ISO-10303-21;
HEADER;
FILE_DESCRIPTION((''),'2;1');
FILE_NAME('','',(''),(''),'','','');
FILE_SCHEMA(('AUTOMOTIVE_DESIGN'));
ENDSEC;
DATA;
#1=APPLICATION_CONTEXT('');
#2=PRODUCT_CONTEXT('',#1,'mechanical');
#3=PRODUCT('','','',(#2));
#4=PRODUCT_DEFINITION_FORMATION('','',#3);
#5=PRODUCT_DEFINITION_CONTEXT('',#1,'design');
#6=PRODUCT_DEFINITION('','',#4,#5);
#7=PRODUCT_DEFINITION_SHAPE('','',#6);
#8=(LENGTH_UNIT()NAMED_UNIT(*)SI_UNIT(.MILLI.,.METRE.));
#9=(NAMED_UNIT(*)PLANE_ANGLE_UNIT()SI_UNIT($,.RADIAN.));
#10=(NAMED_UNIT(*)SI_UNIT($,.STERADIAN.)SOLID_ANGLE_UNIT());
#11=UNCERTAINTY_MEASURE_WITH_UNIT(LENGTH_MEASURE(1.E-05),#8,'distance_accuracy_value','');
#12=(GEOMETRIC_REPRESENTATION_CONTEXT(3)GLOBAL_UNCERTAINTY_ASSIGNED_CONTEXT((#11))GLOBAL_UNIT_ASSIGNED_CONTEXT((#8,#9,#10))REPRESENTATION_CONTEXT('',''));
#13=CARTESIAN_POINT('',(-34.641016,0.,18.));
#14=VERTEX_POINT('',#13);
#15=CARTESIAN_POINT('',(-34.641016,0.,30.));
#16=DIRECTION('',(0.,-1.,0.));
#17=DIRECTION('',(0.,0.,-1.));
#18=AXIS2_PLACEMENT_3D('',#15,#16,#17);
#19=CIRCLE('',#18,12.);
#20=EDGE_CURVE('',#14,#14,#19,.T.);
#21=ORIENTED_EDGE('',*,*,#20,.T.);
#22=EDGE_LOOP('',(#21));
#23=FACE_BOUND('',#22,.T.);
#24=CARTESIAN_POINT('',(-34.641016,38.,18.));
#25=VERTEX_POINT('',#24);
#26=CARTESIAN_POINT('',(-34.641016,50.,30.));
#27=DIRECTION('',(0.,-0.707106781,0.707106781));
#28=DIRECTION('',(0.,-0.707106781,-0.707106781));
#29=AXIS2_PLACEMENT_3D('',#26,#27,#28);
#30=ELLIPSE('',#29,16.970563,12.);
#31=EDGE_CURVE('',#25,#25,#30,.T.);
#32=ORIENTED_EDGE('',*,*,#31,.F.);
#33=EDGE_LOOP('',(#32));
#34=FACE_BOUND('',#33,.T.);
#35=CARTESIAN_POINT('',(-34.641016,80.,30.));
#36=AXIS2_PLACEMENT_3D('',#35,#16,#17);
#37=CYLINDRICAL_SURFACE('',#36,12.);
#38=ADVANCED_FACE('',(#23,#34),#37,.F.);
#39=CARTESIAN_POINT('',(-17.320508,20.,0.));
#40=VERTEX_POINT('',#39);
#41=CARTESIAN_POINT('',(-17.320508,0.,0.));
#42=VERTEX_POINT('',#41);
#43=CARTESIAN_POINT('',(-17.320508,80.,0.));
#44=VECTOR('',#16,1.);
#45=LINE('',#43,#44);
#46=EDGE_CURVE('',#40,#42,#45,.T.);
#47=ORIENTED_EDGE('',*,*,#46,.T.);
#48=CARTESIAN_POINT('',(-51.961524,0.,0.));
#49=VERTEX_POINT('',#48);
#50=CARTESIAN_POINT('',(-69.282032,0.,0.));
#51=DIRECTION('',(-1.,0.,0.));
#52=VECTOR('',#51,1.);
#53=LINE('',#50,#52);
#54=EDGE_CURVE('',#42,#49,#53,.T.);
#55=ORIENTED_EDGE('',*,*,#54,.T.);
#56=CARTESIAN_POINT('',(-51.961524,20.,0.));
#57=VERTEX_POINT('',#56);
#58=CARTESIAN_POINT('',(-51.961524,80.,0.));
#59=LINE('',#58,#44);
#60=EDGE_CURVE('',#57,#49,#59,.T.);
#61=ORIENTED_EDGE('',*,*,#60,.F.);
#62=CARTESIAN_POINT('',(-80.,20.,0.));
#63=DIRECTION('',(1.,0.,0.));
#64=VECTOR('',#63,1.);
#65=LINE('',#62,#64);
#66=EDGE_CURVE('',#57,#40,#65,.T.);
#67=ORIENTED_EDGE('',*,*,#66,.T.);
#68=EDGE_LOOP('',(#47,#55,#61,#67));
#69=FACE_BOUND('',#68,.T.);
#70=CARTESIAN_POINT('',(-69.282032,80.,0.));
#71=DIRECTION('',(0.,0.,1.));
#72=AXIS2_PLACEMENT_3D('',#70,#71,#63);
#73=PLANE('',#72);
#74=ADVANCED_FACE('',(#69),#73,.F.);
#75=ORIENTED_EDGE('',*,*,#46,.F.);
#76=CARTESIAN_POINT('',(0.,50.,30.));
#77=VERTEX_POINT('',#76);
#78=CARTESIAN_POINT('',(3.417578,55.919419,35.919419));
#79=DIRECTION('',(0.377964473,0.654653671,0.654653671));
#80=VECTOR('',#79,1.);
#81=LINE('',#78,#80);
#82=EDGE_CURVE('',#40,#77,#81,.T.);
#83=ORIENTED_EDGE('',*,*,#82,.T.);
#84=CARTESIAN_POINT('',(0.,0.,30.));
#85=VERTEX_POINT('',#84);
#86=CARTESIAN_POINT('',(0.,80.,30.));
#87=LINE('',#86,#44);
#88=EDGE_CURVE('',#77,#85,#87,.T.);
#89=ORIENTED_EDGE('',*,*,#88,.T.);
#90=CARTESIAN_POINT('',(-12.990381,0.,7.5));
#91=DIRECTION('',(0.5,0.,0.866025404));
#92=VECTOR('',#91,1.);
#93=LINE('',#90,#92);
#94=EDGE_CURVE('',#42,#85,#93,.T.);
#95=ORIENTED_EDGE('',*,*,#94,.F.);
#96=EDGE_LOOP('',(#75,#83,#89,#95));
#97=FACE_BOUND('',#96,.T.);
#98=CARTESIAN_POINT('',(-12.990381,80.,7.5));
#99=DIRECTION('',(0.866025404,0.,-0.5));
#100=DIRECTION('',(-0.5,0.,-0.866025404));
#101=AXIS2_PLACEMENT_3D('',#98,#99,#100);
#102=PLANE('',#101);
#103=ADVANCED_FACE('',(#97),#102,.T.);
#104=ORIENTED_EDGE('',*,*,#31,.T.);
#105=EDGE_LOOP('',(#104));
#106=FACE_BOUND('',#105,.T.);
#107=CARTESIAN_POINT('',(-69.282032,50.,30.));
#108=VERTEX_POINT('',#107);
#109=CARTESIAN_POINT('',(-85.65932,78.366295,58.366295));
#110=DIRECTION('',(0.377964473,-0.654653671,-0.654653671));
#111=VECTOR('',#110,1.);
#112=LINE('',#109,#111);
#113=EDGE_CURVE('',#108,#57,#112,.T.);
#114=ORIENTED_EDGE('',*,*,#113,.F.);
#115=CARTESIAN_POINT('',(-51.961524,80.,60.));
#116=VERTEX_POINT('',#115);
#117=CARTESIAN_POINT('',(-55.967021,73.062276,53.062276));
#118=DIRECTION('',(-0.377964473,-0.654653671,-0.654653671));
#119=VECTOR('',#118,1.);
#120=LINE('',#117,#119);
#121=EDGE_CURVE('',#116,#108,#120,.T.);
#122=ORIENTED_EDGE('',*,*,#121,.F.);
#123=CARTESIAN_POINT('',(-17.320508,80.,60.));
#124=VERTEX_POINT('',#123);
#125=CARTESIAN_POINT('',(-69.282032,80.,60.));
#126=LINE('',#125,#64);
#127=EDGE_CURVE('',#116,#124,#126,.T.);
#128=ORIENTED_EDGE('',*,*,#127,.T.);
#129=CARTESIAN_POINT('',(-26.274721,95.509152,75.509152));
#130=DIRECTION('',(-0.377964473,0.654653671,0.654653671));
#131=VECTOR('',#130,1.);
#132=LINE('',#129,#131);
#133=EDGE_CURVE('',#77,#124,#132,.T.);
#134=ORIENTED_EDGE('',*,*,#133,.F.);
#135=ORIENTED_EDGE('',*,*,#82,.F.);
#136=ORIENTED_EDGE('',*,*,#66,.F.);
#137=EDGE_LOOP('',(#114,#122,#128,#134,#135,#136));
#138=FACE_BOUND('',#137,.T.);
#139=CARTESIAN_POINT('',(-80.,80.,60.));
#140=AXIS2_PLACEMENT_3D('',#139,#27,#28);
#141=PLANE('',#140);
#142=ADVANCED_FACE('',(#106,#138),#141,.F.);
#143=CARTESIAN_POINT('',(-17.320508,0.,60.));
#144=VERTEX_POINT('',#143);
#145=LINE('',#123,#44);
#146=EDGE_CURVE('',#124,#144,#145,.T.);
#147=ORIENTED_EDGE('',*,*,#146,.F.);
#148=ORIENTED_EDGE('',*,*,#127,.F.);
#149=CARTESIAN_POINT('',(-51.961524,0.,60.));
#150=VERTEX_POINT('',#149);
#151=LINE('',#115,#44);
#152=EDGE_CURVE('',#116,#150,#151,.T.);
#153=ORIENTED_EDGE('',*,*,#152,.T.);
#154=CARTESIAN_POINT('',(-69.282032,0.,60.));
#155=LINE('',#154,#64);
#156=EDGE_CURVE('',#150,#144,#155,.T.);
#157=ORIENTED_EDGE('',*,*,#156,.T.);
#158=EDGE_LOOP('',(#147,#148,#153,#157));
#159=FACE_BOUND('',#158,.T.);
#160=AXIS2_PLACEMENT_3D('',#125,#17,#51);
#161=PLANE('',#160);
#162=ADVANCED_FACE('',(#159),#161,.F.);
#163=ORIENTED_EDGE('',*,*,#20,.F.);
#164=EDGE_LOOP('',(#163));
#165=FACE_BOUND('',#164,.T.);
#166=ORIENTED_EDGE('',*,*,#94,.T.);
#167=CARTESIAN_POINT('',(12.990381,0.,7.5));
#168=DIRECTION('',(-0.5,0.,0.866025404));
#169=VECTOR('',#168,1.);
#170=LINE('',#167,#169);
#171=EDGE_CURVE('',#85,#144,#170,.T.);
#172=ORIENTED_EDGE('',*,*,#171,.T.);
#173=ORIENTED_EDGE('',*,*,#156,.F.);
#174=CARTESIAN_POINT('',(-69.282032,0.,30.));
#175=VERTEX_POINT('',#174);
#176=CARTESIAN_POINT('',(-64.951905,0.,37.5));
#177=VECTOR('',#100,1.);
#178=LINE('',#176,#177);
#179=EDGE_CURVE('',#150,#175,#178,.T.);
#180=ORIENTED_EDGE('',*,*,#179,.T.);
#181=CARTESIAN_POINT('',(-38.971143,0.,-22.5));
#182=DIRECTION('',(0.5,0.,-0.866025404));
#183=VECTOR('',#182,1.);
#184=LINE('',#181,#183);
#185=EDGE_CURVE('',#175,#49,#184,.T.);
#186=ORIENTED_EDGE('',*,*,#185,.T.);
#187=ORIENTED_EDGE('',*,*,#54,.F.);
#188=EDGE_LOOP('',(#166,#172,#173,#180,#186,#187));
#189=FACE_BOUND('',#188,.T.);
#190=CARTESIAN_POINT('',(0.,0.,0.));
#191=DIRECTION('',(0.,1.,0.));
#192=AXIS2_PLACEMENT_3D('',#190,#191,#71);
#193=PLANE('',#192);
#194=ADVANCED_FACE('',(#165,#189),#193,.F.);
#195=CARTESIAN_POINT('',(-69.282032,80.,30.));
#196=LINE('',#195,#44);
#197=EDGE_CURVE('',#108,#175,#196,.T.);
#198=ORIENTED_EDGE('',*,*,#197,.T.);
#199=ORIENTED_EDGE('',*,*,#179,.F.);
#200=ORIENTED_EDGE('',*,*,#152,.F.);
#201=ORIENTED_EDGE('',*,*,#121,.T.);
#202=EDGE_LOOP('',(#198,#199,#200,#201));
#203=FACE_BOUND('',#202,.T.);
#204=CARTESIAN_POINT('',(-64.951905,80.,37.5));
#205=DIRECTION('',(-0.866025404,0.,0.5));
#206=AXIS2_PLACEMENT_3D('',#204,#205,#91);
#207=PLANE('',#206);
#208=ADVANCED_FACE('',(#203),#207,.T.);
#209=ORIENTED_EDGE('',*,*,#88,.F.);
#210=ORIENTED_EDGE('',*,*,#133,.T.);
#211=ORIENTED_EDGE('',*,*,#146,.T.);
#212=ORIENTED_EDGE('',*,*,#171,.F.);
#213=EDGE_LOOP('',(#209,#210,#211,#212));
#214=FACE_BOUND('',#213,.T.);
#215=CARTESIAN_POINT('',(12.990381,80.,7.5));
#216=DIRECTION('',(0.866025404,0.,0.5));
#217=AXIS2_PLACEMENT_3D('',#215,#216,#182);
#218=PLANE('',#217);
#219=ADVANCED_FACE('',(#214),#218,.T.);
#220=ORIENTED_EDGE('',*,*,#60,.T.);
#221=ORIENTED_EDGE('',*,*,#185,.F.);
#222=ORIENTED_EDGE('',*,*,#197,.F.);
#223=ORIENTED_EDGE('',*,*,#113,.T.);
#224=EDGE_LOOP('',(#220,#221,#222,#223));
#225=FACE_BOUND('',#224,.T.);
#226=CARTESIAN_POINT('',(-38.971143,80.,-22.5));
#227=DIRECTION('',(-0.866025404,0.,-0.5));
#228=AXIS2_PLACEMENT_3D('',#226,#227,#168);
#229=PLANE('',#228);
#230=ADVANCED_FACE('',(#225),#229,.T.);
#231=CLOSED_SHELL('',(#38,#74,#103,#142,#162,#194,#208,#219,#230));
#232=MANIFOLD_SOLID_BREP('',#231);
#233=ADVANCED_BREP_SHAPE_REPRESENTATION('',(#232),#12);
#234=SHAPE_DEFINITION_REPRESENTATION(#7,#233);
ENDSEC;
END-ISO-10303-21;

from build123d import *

# Parameters (mm, degrees)
SKETCH13_W          = 69.282032303
SKETCH13_H          = 60
BOSS_EXTRUDE3_DEPTH = 80
CUT_EXTRUDE5_DEPTH  = 80
SKETCH15_R          = 12
CUT_EXTRUDE6_DEPTH  = 80


with BuildPart() as part:
    # Sketch13 → Boss-Extrude3 (new body)
    with BuildSketch(Plane(origin=(0, 0, 0), x_dir=(1, 0, 0), z_dir=(0, 1, 0))):
        with Locations((-34.641016152, -30)):
            Rectangle(SKETCH13_W, SKETCH13_H)
    extrude(amount=BOSS_EXTRUDE3_DEPTH)

    # Sketch14 → Cut-Extrude5 (cut)
    with BuildSketch(Plane(origin=(0, 0, 0), x_dir=(0, 0, -1), z_dir=(1, 0, 0))):
        Polygon((-60, 80), (0, 20), (0, 80), align=None)
    extrude(amount=-CUT_EXTRUDE5_DEPTH, mode=Mode.SUBTRACT)

    # Sketch15 → Cut-Extrude6 (cut)
    with BuildSketch(Plane(origin=(0, 0, 0), x_dir=(-1, 0, 0), z_dir=(0, -1, 0))):
        Polygon((69.282032303, -30), (51.961524227, -60), (69.282032303, -60), align=None)
        Polygon((51.961524227, 0), (69.282032303, -30), (69.282032303, 0), align=None)
        Polygon((0, -60), (17.320508076, -60), (0, -30), align=None)
        Polygon((0, 0), (0, -30), (17.320508076, 0), align=None)
        with Locations(Location((34.641016151, -30, 0), (0, 0, 90))):
            Circle(SKETCH15_R)
    extrude(amount=-CUT_EXTRUDE6_DEPTH, mode=Mode.SUBTRACT)


solid = part.part
